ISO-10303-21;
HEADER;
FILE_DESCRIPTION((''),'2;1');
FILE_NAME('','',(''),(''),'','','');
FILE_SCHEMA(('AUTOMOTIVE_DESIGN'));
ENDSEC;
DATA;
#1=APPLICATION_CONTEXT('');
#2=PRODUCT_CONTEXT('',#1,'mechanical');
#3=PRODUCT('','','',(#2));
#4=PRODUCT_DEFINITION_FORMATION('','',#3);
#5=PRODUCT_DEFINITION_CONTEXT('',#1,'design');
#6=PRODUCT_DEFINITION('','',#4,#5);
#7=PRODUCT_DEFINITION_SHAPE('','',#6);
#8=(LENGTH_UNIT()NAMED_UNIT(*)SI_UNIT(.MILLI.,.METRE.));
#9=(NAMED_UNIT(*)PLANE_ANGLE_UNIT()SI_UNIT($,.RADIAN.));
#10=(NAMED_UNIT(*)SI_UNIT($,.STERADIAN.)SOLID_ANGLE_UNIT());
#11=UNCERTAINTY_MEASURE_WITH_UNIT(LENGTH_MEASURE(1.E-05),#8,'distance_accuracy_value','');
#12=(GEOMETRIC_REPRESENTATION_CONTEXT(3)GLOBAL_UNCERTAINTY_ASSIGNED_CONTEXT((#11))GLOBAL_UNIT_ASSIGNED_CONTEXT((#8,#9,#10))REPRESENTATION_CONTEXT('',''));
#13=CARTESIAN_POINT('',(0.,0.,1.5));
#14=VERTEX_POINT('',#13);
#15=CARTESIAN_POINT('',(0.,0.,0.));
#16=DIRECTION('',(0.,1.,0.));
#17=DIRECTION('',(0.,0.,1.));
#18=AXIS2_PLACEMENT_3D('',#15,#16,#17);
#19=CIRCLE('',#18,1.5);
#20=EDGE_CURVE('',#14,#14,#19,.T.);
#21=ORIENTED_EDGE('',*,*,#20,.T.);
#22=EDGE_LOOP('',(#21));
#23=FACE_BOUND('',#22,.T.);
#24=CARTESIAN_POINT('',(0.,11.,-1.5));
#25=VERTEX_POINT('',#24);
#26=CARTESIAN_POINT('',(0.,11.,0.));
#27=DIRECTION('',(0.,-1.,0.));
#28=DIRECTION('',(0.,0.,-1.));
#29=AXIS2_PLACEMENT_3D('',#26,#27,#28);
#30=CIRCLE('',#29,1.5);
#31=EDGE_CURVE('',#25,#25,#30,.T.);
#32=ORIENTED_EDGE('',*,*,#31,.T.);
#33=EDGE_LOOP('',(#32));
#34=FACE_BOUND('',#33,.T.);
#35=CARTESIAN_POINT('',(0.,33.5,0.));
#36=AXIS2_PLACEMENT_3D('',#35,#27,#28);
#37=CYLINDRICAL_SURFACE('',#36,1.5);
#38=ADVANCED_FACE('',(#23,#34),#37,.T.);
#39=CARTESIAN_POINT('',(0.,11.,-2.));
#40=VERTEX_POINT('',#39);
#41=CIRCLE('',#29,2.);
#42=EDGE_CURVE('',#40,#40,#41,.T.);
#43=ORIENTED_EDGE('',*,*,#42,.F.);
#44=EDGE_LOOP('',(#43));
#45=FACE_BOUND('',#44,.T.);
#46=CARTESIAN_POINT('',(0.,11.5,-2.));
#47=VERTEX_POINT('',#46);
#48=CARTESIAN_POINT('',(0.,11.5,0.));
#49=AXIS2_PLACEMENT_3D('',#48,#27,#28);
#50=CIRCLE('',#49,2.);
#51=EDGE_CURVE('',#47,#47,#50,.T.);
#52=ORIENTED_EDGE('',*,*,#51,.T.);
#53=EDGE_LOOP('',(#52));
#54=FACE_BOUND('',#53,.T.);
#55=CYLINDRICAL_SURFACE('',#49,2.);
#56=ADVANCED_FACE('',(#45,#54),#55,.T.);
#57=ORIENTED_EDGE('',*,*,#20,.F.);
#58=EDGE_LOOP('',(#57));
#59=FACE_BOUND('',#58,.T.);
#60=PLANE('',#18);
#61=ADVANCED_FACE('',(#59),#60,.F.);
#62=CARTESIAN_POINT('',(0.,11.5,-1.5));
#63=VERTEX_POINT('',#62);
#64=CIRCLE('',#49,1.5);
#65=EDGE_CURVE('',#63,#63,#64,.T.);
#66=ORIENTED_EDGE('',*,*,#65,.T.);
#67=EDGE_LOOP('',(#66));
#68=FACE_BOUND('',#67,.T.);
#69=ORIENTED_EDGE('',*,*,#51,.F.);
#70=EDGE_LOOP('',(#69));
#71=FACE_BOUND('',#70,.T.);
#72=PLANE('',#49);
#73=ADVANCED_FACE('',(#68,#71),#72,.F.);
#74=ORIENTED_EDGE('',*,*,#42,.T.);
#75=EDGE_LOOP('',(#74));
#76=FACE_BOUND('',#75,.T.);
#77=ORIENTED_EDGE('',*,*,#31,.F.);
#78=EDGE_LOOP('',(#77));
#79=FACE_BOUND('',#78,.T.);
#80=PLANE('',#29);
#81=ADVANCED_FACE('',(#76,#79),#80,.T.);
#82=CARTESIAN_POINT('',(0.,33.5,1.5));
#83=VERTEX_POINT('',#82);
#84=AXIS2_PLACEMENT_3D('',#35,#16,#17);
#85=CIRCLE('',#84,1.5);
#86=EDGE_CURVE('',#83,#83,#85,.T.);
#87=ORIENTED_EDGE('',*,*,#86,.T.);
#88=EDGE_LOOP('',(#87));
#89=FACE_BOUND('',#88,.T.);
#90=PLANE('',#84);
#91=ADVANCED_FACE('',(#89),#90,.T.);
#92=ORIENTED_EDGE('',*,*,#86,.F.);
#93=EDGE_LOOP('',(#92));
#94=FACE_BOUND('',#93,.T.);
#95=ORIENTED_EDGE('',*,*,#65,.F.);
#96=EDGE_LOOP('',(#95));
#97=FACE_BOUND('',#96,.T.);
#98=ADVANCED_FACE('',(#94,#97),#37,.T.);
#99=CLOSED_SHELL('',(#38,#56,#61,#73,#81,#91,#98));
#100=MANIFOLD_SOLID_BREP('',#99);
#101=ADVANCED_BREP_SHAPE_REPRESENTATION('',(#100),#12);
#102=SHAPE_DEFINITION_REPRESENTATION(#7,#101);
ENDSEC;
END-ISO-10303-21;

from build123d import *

# Parameters (mm, degrees)
SKETCH_1_R      = 1.5
EXTRUDE_1_DEPTH = 33.5
EXTRUDE_START   = -11
SKETCH_2_R      = 2
SKETCH_2_R_2    = 1.5
EXTRUDE_2_DEPTH = 0.5


with BuildPart() as part:
    # 草图1 → 凸台-拉伸1 (new body)
    with BuildSketch(Plane(origin=(0, 0, 0), x_dir=(1, 0, 0), z_dir=(0, 1, 0))):
        with Locations(Location((0, 0, 0), (0, 0, 270))):
            Circle(SKETCH_1_R)
    extrude(amount=EXTRUDE_1_DEPTH)

    # 草图2 → 凸台-拉伸2 (add)
    with BuildSketch(Plane.XZ.offset(EXTRUDE_START)):
        with Locations(Location((0, 0, 0), (0, 0, 270))):
            Circle(SKETCH_2_R)
        with Locations(Location((0, 0, 0), (0, 0, 270))):
            Circle(SKETCH_2_R_2, mode=Mode.SUBTRACT)
    extrude(amount=-EXTRUDE_2_DEPTH)


solid = part.part
